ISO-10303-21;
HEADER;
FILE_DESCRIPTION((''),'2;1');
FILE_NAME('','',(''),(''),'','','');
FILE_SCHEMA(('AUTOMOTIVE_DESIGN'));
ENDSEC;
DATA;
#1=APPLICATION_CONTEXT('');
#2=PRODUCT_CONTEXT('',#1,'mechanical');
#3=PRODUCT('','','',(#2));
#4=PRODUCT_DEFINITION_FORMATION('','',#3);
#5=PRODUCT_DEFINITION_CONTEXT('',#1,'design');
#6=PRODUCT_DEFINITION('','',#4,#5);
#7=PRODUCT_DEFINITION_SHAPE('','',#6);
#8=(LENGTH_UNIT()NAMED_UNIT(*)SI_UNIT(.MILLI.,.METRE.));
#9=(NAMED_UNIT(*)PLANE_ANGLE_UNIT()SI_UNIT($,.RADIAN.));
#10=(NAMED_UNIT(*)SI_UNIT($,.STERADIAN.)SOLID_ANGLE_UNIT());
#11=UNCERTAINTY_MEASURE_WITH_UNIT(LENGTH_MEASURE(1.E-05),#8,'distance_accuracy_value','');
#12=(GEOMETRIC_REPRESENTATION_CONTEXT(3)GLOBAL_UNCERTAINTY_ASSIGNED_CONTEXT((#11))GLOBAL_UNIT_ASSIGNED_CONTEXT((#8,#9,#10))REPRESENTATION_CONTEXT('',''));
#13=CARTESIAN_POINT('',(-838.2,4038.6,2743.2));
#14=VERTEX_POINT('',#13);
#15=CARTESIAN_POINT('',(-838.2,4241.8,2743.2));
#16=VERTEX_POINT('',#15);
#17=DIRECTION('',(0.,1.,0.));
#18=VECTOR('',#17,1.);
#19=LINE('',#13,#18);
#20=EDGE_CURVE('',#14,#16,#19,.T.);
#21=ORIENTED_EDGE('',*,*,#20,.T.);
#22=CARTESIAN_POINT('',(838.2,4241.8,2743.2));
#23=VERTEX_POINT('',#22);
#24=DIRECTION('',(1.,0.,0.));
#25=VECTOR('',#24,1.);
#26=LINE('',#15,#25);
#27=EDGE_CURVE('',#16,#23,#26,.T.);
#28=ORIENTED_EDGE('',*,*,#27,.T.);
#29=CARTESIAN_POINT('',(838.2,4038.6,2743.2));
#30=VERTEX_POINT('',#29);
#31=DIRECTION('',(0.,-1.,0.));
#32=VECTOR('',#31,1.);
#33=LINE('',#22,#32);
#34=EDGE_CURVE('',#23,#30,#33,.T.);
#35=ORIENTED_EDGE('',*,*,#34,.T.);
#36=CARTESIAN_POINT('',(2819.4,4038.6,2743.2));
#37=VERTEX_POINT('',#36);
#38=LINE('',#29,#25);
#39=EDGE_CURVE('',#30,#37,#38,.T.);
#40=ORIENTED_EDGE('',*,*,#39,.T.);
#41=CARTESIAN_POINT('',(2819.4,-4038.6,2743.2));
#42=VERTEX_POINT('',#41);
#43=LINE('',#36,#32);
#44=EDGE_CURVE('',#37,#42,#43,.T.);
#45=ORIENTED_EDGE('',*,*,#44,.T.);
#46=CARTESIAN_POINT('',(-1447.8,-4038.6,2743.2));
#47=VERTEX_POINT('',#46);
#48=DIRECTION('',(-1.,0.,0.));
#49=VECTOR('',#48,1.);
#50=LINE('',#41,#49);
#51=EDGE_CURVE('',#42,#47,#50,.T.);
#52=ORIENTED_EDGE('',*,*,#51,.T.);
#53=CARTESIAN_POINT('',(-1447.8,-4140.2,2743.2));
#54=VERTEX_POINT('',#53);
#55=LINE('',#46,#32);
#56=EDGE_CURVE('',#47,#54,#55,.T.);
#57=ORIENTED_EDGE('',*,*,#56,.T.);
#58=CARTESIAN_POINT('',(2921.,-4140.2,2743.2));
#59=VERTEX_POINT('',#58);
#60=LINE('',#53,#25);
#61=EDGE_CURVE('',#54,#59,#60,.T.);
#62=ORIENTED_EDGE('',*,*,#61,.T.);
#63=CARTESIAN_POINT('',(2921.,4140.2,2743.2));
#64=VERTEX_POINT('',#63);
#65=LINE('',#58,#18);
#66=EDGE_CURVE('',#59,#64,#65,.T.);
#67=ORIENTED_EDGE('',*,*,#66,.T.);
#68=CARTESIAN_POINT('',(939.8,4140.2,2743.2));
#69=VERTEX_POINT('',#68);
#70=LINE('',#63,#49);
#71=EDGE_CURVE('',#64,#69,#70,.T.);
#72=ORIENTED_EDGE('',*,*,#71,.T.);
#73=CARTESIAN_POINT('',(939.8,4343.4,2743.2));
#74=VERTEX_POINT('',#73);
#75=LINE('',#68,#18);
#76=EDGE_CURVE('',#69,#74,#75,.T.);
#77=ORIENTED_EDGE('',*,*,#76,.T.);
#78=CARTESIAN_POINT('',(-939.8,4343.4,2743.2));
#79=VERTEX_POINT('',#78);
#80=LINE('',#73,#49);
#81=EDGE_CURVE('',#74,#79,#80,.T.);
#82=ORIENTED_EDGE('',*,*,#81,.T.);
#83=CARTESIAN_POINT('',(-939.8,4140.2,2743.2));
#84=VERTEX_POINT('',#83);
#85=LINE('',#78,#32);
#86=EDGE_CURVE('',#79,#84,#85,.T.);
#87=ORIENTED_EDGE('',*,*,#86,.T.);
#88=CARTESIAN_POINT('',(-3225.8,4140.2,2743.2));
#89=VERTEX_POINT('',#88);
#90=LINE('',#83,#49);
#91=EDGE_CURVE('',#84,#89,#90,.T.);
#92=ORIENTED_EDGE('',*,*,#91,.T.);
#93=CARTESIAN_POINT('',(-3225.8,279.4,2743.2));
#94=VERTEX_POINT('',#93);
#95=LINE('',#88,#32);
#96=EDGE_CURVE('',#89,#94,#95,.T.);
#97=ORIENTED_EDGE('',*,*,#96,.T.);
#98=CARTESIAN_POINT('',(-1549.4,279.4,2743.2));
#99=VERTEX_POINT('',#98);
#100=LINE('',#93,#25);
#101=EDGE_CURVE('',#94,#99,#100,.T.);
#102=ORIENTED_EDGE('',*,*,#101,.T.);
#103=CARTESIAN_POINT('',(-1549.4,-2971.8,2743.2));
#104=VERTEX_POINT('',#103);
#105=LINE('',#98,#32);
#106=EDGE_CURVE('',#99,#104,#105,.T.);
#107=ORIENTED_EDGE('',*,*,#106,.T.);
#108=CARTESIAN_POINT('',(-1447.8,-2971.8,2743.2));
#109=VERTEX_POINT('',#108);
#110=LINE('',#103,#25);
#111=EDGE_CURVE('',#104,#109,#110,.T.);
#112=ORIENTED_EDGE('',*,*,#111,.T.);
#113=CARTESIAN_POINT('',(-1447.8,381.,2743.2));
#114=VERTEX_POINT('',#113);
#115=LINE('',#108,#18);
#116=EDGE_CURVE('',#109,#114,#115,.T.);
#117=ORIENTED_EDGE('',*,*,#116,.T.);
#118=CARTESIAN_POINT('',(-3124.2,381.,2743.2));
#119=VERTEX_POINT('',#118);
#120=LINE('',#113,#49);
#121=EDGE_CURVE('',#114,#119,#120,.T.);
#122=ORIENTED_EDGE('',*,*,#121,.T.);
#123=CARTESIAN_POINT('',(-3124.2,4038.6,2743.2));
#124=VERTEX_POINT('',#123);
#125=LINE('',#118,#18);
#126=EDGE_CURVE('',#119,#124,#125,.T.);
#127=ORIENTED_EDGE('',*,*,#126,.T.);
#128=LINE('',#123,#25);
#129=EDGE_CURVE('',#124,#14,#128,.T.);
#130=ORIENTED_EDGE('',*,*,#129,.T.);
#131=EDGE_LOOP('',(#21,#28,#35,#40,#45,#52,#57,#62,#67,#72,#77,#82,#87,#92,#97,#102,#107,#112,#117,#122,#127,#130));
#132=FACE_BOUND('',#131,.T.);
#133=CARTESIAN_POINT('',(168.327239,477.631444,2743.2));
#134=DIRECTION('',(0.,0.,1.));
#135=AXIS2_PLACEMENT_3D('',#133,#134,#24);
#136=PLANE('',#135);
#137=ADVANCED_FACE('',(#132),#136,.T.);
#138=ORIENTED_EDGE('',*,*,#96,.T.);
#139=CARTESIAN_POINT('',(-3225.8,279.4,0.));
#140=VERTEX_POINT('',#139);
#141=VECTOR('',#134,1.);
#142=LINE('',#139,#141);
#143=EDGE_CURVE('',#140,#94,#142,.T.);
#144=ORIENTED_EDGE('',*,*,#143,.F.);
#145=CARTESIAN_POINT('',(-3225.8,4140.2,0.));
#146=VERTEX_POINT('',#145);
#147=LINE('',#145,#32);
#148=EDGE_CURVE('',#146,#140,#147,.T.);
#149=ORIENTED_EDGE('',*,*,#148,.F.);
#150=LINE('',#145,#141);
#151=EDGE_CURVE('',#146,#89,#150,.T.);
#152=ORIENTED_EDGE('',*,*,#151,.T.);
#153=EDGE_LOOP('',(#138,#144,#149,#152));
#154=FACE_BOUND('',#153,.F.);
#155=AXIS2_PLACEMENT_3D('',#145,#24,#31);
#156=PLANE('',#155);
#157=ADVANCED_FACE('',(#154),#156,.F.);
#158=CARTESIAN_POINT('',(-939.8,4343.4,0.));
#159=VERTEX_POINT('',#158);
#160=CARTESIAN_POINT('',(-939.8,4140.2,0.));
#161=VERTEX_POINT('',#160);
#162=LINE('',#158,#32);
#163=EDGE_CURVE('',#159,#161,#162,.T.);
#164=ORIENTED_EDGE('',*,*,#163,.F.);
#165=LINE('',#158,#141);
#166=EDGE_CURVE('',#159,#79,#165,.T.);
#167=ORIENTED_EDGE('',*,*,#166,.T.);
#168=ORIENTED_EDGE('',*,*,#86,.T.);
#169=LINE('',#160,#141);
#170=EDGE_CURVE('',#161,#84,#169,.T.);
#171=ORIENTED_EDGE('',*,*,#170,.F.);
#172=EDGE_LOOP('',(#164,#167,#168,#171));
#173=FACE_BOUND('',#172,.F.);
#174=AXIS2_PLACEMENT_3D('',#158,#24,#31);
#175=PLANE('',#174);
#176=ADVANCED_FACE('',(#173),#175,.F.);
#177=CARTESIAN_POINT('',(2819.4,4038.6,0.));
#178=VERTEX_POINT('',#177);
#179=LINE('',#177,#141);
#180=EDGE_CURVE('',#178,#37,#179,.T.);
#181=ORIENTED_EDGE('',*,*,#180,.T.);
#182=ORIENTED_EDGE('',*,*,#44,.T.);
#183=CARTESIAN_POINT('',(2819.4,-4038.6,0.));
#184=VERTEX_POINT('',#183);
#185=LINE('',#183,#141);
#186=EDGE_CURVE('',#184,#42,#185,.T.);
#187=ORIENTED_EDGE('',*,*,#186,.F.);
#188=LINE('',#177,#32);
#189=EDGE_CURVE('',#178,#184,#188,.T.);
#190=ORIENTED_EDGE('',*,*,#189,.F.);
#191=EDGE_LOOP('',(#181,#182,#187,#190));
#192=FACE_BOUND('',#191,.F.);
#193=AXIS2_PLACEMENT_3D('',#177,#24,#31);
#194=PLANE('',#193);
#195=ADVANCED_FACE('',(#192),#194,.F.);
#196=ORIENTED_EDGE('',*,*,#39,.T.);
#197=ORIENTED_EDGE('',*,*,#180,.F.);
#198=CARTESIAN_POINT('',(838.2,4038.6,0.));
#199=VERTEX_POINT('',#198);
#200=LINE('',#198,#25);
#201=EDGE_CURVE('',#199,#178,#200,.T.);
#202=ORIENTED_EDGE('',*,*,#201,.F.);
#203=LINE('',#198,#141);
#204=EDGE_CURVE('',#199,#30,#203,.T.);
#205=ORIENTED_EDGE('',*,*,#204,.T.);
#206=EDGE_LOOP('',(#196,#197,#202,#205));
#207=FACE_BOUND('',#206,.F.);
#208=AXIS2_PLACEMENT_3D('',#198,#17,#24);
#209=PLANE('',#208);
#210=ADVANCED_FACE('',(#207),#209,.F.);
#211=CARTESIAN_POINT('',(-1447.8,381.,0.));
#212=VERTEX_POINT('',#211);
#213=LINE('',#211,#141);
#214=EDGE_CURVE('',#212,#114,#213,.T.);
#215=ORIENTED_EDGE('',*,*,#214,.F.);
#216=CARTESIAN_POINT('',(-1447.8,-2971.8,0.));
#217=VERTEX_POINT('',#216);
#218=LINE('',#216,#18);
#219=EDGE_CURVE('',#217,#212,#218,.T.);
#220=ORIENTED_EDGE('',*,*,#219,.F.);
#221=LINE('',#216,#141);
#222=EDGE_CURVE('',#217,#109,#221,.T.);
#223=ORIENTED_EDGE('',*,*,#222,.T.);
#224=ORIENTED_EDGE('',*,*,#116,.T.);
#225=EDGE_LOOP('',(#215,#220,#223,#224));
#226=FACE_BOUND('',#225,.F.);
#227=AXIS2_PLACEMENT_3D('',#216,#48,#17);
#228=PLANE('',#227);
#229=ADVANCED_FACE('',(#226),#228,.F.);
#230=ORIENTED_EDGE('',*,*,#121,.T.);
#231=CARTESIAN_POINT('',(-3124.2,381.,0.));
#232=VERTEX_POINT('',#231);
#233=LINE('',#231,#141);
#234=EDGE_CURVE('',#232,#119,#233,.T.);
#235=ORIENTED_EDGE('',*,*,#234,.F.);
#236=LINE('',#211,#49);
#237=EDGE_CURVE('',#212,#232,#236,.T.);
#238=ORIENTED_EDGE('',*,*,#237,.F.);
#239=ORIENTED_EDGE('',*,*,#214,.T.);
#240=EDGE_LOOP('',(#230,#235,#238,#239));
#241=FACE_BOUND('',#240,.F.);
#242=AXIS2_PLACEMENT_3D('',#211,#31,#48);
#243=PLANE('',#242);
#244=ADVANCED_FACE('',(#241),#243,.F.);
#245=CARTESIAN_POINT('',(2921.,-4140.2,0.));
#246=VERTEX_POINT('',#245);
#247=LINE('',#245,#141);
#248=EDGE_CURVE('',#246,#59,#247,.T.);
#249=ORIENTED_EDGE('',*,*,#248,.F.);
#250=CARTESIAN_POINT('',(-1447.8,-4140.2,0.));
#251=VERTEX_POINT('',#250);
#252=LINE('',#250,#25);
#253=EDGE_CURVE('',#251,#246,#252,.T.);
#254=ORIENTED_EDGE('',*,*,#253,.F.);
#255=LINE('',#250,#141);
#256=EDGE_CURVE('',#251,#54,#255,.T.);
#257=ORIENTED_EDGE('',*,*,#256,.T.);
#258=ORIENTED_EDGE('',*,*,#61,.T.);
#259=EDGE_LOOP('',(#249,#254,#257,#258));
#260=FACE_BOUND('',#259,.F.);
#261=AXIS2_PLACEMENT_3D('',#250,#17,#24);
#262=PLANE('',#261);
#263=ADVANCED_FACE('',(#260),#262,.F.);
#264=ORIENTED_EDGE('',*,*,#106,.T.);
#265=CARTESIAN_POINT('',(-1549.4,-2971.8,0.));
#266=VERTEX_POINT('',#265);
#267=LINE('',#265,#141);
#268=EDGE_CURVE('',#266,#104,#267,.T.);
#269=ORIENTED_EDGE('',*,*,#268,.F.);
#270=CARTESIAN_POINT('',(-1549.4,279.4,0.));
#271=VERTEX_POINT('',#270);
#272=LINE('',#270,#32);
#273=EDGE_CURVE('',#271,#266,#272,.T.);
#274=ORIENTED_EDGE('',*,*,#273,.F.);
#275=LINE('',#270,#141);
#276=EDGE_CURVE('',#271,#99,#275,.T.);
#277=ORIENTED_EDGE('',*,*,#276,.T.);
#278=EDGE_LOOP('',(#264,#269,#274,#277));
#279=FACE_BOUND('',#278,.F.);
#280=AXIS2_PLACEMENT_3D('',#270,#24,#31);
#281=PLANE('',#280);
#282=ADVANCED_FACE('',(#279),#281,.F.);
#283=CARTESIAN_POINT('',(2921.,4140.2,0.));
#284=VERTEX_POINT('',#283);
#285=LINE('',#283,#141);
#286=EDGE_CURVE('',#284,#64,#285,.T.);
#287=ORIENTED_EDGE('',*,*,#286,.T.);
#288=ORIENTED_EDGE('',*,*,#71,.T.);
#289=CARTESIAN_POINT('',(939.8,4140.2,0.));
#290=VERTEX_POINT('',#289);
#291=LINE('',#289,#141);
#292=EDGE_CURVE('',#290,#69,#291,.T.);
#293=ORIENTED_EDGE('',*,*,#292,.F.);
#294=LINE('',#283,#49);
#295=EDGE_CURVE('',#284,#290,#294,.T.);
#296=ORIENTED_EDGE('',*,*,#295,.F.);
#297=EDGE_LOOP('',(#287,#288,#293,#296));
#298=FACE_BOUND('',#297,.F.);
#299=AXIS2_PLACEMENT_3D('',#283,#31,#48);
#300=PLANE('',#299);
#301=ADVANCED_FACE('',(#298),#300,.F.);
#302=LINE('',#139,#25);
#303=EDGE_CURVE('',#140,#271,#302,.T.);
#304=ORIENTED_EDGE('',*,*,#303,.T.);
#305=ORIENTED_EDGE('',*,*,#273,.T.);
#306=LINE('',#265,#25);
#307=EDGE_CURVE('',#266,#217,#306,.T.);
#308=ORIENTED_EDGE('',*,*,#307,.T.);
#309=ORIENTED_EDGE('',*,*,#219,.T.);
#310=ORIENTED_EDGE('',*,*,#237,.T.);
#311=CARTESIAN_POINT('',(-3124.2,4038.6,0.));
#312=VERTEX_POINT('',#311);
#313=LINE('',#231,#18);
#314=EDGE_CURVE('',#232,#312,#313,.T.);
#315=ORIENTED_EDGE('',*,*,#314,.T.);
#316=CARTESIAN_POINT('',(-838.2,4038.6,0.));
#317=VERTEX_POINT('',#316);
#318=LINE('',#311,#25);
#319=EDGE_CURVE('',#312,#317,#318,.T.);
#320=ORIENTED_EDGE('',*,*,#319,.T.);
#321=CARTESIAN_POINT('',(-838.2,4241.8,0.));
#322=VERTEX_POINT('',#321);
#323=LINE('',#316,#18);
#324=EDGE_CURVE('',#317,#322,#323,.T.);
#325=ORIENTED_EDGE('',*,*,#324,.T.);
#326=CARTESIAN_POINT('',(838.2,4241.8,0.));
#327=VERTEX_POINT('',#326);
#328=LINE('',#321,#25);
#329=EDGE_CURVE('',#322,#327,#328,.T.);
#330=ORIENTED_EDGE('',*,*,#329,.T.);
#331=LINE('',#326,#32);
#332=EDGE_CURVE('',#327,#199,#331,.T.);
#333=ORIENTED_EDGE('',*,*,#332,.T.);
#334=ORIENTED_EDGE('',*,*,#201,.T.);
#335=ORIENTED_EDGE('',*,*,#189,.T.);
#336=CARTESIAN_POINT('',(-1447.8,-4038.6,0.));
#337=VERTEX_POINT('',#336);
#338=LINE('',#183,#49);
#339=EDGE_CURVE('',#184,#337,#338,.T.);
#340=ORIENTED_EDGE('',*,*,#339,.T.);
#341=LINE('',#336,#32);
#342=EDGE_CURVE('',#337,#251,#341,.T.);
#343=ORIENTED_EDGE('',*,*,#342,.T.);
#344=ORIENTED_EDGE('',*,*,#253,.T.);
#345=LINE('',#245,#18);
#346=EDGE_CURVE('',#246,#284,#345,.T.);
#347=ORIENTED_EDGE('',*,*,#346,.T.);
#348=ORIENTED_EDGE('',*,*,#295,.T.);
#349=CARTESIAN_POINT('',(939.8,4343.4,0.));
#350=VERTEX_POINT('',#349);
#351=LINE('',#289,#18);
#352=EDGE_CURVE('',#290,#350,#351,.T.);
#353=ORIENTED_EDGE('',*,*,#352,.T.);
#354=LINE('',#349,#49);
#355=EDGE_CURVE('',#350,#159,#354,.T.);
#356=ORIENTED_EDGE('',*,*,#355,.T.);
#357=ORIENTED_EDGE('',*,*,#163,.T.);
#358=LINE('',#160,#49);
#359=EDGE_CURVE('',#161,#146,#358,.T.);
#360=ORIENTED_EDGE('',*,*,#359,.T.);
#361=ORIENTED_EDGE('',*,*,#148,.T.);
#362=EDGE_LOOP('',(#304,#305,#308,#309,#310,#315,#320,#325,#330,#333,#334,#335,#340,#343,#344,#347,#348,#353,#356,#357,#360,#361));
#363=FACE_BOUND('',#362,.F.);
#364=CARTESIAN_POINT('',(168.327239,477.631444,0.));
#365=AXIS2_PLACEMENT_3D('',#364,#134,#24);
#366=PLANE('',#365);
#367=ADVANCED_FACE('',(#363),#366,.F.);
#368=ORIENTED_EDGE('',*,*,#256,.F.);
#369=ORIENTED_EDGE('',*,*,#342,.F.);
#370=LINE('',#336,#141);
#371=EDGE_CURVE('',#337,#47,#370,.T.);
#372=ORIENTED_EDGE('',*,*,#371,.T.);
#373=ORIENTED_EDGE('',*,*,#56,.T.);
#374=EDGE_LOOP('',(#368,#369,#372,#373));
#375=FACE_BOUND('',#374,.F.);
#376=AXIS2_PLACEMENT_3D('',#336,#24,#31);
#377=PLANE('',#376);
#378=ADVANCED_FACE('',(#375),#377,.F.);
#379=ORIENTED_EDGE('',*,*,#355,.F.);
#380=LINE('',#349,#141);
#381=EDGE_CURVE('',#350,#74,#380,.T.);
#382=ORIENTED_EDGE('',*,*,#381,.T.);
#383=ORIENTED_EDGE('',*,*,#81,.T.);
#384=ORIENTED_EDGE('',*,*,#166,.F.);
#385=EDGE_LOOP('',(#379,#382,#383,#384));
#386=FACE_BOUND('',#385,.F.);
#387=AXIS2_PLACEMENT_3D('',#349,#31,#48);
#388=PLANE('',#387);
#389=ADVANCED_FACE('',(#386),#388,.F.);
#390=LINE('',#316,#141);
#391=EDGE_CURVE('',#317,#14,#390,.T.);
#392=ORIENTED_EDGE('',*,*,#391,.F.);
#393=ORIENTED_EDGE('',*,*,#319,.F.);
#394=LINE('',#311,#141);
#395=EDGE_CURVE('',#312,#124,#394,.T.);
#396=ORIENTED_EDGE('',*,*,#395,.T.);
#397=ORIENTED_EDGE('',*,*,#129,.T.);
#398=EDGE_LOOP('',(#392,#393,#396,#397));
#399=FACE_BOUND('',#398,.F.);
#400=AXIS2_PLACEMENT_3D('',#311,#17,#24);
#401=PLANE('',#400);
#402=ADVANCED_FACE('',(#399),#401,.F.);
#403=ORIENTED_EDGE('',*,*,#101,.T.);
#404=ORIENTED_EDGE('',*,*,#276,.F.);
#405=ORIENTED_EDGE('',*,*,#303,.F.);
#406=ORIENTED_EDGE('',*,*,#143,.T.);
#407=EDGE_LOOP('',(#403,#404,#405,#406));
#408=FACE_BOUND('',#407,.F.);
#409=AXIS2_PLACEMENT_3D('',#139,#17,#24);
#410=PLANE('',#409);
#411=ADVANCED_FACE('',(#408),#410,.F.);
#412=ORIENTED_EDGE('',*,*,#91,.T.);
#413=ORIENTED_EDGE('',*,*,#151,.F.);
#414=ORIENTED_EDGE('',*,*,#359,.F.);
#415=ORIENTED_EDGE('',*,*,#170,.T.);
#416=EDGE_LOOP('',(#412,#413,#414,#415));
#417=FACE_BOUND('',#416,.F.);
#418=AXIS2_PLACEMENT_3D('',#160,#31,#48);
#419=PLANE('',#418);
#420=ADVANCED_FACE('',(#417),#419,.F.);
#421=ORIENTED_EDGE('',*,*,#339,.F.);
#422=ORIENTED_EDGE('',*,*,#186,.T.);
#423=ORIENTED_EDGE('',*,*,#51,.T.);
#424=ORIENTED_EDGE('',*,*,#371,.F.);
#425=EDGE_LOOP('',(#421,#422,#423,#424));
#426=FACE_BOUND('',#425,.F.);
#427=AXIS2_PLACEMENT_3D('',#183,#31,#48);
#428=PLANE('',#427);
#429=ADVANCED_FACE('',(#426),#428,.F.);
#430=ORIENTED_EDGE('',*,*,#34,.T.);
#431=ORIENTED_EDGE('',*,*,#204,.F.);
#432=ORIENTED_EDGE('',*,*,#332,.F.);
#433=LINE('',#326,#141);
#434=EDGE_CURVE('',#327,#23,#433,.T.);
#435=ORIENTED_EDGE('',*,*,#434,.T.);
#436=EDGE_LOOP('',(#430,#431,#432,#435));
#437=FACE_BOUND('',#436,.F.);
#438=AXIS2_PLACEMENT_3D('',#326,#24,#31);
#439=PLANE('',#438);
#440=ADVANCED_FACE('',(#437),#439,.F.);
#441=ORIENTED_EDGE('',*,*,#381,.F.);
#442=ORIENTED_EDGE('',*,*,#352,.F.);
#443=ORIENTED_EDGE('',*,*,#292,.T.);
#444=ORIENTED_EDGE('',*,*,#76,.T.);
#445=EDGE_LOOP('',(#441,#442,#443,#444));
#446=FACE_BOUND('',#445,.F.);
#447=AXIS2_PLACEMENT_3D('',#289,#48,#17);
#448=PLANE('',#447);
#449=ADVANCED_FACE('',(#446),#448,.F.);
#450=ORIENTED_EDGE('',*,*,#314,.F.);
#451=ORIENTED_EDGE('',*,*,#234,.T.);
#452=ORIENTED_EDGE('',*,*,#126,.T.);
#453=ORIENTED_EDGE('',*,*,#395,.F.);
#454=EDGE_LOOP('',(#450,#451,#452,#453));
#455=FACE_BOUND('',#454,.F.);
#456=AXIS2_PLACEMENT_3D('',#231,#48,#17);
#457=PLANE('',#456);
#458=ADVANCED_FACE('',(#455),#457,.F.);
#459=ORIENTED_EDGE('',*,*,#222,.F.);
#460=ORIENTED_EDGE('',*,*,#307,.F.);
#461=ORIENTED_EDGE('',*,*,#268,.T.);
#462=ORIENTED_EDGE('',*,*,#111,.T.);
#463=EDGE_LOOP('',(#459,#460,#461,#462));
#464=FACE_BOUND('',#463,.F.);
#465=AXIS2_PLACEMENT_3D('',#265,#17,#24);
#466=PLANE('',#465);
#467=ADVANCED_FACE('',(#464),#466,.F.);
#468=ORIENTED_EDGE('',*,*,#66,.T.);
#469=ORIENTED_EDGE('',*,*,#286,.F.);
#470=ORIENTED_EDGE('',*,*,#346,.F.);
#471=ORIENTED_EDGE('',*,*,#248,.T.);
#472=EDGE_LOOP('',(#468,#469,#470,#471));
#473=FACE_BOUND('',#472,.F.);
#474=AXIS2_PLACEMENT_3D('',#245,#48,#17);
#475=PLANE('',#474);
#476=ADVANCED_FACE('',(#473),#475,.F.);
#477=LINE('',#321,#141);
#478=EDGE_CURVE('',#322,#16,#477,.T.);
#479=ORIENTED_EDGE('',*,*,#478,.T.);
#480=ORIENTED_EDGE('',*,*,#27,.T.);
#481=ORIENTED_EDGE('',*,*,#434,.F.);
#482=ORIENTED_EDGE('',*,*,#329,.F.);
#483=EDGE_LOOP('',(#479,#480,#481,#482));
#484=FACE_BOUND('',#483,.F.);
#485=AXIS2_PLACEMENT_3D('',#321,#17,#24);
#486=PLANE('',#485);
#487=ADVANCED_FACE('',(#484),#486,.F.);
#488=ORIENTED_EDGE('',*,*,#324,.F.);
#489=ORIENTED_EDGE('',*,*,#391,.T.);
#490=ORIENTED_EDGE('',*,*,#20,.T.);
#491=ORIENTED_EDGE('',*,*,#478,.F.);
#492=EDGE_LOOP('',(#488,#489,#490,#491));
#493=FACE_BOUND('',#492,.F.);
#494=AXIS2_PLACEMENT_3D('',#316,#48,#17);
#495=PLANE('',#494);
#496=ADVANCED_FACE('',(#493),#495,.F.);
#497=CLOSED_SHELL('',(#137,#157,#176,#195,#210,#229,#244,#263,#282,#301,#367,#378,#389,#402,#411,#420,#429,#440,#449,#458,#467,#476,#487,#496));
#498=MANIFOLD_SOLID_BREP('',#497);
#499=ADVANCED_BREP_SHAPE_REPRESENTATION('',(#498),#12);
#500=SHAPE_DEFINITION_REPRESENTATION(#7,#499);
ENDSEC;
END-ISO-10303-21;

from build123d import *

# Parameters (mm, degrees)
F1_DEPTH = 2743.2


with BuildPart() as f1:
    # F0 (on Top) → F1 (new body)
    with BuildSketch(Plane.XY):
        Polygon((-1447.8, 381), (-3124.2, 381), (-3124.2, 4038.6), (-838.2, 4038.6), (-838.2, 4241.8), (838.2, 4241.8), (838.2, 4038.6), (2819.4, 4038.6), (2819.4, -4038.6), (-1447.8, -4038.6), (-1447.8, -4140.2), (2921, -4140.2), (2921, 4140.2), (939.8, 4140.2), (939.8, 4343.4), (-939.8, 4343.4), (-939.8, 4140.2), (-3225.8, 4140.2), (-3225.8, 279.4), (-1549.4, 279.4), (-1549.4, -2971.8), (-1447.8, -2971.8), align=None)
    extrude(amount=F1_DEPTH)


solid = f1.part
